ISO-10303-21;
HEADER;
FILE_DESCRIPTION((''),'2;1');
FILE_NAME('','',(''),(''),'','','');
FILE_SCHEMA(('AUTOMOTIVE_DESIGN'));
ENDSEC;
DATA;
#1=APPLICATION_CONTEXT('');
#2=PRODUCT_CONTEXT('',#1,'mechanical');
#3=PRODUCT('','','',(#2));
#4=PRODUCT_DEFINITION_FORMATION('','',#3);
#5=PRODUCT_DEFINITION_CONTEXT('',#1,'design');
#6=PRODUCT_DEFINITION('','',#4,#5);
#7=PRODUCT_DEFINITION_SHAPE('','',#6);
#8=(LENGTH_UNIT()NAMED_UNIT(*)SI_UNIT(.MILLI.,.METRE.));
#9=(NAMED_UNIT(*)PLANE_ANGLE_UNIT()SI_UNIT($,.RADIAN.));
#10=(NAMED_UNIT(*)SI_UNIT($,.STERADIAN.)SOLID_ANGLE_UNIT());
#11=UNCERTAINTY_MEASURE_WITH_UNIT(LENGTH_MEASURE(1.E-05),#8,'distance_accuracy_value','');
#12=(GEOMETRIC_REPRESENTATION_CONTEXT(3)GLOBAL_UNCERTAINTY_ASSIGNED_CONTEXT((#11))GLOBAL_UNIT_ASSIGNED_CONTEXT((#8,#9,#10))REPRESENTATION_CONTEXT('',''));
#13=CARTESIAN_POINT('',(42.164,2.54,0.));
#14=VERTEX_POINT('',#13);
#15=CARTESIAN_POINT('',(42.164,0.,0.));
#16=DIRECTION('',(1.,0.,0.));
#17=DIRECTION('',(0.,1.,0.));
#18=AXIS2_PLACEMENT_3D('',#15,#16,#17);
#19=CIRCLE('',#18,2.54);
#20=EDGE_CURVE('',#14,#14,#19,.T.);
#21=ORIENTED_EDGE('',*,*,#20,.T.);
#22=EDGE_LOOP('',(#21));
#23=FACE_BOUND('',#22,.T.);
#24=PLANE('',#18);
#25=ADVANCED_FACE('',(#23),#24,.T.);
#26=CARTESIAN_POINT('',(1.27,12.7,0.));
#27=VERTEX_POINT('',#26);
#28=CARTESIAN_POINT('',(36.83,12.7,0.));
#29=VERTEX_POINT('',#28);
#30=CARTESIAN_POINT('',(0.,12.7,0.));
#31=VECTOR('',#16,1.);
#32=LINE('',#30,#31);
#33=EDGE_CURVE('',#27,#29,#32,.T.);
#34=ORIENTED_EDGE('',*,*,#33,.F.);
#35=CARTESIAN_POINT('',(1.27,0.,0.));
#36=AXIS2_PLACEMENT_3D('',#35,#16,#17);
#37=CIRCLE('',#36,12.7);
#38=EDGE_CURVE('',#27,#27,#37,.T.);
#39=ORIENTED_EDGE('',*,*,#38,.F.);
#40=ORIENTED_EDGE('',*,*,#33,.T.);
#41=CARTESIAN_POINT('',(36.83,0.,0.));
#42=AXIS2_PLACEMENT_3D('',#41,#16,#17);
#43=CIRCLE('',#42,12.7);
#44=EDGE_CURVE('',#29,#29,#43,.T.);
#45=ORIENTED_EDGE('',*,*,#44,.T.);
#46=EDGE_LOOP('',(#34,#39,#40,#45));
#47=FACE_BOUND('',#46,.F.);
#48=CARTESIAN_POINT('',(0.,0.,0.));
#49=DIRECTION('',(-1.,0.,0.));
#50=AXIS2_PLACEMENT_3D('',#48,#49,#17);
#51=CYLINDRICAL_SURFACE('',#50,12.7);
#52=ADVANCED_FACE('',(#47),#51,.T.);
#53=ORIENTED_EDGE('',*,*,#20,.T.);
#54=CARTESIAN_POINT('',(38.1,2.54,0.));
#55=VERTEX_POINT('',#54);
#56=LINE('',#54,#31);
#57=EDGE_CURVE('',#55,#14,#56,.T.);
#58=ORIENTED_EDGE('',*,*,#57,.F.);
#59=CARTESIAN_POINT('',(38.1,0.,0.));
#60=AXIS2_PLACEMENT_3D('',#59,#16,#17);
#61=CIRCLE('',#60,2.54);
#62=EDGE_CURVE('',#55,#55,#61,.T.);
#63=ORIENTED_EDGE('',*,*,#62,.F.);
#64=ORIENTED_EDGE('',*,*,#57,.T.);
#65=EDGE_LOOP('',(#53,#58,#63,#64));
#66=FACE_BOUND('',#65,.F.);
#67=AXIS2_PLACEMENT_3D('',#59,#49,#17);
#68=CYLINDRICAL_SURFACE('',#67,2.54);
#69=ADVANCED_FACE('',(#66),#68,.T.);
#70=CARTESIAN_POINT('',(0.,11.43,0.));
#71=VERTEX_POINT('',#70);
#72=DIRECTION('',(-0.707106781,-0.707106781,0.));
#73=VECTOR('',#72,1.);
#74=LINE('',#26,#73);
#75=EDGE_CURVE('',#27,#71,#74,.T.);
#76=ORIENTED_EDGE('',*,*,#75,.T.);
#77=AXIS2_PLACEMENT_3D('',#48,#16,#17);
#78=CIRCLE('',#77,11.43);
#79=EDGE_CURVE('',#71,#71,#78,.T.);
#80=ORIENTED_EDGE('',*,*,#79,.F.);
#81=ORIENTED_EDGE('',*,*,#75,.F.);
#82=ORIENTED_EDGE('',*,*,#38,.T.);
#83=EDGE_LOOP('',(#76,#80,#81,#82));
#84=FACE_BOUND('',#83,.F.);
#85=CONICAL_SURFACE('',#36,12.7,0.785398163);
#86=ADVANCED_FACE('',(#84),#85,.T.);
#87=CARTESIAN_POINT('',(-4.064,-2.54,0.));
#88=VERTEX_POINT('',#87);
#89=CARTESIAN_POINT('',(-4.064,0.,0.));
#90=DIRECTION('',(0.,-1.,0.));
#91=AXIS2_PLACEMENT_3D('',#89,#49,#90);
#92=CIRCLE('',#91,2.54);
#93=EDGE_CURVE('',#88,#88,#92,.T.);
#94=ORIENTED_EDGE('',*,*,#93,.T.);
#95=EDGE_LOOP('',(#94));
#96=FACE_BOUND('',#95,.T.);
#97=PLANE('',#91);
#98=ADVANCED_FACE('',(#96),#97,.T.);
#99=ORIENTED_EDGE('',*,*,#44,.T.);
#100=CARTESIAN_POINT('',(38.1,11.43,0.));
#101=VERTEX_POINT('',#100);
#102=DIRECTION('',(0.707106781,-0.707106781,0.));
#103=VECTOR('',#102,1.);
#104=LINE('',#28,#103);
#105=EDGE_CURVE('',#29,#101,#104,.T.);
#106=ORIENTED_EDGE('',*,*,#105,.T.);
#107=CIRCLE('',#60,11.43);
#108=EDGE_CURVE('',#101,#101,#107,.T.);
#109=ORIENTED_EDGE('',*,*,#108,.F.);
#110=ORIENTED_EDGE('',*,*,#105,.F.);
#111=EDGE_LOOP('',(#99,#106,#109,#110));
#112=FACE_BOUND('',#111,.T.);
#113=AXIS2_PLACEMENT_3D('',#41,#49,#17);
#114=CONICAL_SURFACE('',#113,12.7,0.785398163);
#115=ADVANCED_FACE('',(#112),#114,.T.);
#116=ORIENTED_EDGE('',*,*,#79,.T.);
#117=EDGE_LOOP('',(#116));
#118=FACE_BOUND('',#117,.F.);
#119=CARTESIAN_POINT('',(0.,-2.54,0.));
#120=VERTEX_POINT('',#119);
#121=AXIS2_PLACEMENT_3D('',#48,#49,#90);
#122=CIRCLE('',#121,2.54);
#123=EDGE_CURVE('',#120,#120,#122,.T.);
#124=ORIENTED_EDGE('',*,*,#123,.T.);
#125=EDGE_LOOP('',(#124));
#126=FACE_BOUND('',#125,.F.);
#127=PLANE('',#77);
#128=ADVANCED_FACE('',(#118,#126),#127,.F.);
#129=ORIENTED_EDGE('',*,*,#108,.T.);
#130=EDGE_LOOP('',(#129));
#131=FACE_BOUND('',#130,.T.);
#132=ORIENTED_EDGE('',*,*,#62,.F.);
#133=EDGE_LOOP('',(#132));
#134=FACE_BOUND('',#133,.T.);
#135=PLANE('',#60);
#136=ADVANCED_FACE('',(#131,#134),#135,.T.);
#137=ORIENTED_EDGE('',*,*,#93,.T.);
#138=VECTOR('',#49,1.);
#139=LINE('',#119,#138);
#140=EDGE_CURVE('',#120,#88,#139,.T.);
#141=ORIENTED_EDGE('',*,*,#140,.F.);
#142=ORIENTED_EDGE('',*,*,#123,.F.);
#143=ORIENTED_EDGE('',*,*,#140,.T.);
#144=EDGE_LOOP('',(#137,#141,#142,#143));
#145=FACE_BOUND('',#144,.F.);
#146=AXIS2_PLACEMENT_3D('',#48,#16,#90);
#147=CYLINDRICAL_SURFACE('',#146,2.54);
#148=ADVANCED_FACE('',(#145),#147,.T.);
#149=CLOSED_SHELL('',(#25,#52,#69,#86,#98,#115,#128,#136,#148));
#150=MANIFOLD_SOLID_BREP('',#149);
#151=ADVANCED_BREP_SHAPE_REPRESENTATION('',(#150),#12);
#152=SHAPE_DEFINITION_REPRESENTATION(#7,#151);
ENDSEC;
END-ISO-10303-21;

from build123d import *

# Parameters (mm, degrees)
F0_R     = 12.7
F1_DEPTH = 38.1
F2_SIZE  = 1.27
F3_R     = 2.54
F4_DEPTH = 4.064
F5_R     = 2.54
F6_DEPTH = 4.064


with BuildPart() as f1:
    # F0 (on Right) → F1 (new body)
    with BuildSketch(Plane.YZ):
        Circle(F0_R)
    extrude(amount=F1_DEPTH)

    # F2
    f2_edges = [f1.edges().sort_by_distance(p)[0] for p in [
        (0, -12.7, 0),
        (19.05, 12.7, 0),
        (38.1, -12.7, 0),
    ]]
    chamfer(f2_edges, length=F2_SIZE)

    # F3 (on face) → F4 (join)
    with BuildSketch(Plane(origin=(0, 0, 0), x_dir=(0, -1, 0), z_dir=(-1, 0, 0))):
        Circle(F3_R)
    extrude(amount=F4_DEPTH)

    # F5 (on face) → F6 (join)
    with BuildSketch(Plane.YZ.offset(38.1)):
        Circle(F5_R)
    extrude(amount=F6_DEPTH)


solid = f1.part
